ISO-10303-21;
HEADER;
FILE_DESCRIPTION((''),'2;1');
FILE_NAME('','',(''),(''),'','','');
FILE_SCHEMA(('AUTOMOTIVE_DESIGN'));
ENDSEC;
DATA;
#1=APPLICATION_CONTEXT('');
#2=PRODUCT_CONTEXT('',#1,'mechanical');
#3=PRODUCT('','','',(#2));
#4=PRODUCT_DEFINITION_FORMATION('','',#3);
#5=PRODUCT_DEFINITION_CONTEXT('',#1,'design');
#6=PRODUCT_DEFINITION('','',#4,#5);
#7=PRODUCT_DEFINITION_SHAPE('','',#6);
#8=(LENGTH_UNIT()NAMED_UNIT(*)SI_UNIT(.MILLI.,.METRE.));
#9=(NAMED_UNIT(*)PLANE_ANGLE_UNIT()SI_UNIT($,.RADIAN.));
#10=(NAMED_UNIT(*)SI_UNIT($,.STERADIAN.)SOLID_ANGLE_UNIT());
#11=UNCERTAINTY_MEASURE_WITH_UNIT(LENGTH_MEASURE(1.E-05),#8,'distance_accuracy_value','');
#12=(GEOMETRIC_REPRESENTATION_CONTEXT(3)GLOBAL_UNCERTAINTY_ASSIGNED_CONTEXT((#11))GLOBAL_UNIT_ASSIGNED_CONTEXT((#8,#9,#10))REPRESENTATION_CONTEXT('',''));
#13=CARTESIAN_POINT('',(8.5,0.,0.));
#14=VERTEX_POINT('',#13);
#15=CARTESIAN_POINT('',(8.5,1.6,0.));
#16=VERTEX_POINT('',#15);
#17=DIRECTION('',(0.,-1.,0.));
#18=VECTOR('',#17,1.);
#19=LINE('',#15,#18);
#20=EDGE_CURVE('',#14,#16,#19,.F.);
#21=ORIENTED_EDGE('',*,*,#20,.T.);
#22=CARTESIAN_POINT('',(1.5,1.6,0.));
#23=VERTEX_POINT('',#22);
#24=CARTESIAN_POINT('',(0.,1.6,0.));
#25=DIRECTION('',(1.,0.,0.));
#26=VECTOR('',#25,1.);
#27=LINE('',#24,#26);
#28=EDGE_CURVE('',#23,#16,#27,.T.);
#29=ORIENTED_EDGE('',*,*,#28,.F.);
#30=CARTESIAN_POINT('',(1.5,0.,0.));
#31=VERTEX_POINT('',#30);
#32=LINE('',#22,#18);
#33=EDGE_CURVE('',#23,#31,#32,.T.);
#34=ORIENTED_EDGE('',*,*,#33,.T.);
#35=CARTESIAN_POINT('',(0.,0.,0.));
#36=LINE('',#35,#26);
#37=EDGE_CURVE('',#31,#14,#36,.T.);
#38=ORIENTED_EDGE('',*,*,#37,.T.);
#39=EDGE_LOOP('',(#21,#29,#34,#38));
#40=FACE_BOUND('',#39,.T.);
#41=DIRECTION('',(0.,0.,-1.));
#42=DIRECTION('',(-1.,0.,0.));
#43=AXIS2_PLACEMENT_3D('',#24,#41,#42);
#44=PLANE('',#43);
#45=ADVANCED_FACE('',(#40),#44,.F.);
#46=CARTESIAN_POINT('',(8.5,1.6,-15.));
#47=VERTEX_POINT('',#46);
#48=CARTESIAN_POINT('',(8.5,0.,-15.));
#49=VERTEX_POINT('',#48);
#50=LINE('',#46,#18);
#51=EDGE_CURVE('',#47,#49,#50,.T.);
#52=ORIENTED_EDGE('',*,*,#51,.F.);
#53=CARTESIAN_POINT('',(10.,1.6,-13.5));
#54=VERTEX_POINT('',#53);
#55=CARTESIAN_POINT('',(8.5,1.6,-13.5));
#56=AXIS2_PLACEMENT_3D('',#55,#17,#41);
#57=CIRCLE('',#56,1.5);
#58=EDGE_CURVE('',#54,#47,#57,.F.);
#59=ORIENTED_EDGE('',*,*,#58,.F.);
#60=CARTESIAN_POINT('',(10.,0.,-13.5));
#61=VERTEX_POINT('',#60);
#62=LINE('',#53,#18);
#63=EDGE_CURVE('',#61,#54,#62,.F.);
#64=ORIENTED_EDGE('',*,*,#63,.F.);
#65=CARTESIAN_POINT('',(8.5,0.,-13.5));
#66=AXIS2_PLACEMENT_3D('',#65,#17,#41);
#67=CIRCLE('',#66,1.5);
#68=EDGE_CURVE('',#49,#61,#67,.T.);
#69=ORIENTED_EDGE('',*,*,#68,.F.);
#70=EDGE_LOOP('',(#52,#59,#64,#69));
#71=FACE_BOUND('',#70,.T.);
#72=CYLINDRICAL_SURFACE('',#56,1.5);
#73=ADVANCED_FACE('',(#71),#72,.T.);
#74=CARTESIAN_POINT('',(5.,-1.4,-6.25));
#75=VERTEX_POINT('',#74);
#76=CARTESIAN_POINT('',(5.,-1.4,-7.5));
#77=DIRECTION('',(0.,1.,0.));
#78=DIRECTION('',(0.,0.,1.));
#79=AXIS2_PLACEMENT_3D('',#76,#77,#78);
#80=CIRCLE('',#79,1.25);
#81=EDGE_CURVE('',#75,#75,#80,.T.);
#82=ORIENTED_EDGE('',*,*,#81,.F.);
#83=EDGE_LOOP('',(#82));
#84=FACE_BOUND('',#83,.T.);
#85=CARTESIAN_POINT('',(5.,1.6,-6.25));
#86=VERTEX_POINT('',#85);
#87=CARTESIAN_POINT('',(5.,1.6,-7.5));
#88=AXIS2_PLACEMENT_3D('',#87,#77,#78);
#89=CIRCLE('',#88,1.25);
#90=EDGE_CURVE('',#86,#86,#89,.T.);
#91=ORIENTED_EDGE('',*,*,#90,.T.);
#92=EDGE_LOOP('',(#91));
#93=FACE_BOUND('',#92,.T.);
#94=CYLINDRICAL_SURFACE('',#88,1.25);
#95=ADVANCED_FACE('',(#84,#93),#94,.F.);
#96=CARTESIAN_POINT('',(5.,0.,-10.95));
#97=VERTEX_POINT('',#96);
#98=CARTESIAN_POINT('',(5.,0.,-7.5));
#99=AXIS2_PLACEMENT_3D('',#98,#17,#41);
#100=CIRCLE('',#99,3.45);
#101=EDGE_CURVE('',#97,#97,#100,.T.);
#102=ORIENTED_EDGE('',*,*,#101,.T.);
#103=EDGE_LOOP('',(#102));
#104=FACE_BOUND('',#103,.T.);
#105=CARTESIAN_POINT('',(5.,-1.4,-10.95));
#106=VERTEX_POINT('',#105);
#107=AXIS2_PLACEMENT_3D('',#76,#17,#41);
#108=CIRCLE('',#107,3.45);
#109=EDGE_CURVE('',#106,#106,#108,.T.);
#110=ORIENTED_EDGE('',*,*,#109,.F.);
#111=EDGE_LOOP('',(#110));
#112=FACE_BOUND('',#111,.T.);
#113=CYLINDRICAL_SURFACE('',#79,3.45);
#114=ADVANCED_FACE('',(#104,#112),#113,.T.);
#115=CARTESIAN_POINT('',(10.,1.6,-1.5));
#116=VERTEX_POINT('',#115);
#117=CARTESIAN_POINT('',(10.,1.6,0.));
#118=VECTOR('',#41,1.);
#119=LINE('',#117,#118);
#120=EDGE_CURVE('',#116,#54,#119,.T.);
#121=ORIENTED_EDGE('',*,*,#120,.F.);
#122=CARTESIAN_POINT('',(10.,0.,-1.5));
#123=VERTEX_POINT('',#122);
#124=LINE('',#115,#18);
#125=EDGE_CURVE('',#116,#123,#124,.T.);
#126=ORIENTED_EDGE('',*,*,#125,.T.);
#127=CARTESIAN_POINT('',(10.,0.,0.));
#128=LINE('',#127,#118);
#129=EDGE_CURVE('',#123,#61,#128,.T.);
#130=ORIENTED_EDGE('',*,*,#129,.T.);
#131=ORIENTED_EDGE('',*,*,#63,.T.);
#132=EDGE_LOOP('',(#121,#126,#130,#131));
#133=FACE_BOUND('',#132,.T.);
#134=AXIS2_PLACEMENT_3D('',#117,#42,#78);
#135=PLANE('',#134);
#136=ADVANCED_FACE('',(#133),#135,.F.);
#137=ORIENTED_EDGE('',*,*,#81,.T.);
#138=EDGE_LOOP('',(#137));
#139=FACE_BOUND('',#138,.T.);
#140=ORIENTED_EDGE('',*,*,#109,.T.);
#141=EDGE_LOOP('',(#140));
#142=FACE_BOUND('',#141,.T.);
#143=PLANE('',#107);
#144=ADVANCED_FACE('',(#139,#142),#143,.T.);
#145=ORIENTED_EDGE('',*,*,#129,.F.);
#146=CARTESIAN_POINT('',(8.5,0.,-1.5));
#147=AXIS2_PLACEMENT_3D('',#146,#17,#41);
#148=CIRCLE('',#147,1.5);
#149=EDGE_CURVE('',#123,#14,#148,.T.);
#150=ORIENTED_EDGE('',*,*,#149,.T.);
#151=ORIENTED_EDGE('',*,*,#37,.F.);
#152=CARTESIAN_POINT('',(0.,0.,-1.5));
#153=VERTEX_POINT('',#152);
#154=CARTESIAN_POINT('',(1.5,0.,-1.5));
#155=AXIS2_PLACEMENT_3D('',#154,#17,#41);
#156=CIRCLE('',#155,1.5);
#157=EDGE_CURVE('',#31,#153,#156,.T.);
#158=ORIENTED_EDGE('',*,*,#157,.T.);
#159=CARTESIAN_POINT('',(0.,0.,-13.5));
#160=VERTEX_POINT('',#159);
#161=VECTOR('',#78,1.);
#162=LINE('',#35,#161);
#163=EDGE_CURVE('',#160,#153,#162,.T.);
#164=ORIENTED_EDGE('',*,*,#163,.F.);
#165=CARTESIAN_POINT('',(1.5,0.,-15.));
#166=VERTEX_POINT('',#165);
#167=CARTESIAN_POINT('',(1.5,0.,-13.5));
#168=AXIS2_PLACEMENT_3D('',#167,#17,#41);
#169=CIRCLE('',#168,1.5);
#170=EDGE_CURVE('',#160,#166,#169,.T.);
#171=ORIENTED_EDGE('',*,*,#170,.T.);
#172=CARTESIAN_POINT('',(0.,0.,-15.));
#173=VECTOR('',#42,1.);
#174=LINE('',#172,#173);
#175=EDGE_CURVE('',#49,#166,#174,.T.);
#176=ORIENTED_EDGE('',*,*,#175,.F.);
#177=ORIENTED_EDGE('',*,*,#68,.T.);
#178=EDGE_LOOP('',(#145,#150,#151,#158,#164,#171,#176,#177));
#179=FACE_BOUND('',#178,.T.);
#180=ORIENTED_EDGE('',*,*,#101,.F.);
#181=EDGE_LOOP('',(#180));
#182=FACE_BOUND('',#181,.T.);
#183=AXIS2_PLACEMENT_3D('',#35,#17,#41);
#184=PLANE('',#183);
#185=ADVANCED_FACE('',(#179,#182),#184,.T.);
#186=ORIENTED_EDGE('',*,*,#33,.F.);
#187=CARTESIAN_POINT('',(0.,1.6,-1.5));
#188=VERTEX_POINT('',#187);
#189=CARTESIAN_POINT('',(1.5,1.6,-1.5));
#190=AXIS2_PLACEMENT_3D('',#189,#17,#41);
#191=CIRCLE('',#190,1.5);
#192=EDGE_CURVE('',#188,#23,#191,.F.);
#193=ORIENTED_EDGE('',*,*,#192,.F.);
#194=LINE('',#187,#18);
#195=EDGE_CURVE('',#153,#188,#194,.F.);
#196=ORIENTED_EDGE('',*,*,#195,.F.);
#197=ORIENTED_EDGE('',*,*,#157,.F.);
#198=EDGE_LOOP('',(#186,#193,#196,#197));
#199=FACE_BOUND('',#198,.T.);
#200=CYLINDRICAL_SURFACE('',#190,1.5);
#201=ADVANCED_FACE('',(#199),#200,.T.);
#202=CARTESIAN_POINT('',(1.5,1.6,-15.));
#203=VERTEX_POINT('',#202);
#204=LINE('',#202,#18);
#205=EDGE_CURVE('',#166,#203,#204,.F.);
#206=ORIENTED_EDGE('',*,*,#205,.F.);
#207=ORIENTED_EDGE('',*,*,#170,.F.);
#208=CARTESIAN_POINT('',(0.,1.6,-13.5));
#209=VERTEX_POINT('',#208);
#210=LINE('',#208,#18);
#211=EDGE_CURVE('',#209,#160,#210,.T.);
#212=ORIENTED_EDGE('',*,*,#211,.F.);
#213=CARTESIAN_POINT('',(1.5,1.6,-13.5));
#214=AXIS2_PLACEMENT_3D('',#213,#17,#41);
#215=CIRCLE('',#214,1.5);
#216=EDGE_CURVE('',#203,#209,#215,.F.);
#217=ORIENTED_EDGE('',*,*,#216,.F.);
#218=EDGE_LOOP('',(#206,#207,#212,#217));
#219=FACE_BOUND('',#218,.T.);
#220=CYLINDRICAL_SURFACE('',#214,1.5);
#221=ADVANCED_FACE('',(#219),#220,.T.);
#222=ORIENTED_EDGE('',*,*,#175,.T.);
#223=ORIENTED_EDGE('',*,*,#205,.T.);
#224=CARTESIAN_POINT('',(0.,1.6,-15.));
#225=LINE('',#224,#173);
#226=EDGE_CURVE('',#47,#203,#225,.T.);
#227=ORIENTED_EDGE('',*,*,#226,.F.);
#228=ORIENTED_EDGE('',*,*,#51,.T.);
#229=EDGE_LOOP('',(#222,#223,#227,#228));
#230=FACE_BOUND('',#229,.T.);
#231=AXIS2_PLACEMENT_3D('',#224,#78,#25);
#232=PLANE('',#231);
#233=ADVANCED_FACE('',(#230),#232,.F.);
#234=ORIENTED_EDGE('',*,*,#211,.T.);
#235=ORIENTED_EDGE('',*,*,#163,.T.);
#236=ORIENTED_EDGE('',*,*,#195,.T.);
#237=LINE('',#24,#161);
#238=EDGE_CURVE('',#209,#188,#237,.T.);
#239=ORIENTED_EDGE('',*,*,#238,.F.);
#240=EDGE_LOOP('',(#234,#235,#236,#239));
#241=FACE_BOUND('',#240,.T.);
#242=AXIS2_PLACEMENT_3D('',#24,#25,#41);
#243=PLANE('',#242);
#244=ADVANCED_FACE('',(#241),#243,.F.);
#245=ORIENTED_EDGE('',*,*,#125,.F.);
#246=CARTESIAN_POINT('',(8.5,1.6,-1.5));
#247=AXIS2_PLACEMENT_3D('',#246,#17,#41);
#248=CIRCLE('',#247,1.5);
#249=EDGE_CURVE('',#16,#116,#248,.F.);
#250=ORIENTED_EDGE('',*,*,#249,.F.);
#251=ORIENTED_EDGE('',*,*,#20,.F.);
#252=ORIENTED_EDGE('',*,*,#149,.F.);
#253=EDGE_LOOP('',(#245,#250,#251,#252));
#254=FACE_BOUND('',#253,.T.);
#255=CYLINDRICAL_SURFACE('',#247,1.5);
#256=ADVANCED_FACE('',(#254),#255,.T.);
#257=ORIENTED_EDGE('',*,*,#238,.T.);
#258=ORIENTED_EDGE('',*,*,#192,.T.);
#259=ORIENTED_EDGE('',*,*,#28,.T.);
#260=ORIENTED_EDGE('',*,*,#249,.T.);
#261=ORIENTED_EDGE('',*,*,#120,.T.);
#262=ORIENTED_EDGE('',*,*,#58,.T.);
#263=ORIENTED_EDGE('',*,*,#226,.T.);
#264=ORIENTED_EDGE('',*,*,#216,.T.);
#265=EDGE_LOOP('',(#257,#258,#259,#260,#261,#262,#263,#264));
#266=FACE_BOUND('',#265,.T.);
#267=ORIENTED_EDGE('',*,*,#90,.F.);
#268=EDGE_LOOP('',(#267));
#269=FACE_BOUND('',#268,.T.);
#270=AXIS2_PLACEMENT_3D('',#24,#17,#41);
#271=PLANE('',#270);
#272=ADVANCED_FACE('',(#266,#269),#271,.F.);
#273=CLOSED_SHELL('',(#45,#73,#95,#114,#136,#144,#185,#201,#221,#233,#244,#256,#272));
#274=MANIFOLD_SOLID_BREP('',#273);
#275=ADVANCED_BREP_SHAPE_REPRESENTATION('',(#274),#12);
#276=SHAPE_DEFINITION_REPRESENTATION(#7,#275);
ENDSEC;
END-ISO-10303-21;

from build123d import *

# Parameters (mm, degrees)
SKETCH1_W             = 10
SKETCH1_H             = 15
BOSS_EXTRUDE1_DEPTH   = 1.6
FILLET1_R             = 1.5
SKETCH2_R             = 3.45
BOSS_EXTRUDE2_DEPTH   = 1.4
M3X0_5_TAPPED_HOLE1_D = 2.5


with BuildPart() as part:
    # Sketch1 → Boss-Extrude1 (new body)
    with BuildSketch(Plane(origin=(0, 0, 0), x_dir=(1, 0, 0), z_dir=(0, 1, 0))):
        with Locations((5, 7.5)):
            Rectangle(SKETCH1_W, SKETCH1_H)
    extrude(amount=BOSS_EXTRUDE1_DEPTH)

    # Fillet1
    fillet1_edges = [part.edges().sort_by_distance(p)[0] for p in [
        (0, 0.8, -15),
        (10, 0.8, -15),
        (10, 0.8, 0),
        (0, 0.8, 0),
    ]]
    fillet(fillet1_edges, radius=FILLET1_R)

    # Sketch2 → Boss-Extrude2 (add)
    with BuildSketch(Plane.XZ):
        with Locations(Location((5, -7.5, 0), (0, 0, 270))):
            Circle(SKETCH2_R)
    extrude(amount=BOSS_EXTRUDE2_DEPTH)

    # M3x0.5 Tapped Hole1 (through all)
    with Locations(Plane(origin=(0, 1.6, 0), x_dir=(1, 0, 0), z_dir=(0, 1, 0))):
        with Locations((5, 7.5)):
            Hole(M3X0_5_TAPPED_HOLE1_D / 2)


solid = part.part
